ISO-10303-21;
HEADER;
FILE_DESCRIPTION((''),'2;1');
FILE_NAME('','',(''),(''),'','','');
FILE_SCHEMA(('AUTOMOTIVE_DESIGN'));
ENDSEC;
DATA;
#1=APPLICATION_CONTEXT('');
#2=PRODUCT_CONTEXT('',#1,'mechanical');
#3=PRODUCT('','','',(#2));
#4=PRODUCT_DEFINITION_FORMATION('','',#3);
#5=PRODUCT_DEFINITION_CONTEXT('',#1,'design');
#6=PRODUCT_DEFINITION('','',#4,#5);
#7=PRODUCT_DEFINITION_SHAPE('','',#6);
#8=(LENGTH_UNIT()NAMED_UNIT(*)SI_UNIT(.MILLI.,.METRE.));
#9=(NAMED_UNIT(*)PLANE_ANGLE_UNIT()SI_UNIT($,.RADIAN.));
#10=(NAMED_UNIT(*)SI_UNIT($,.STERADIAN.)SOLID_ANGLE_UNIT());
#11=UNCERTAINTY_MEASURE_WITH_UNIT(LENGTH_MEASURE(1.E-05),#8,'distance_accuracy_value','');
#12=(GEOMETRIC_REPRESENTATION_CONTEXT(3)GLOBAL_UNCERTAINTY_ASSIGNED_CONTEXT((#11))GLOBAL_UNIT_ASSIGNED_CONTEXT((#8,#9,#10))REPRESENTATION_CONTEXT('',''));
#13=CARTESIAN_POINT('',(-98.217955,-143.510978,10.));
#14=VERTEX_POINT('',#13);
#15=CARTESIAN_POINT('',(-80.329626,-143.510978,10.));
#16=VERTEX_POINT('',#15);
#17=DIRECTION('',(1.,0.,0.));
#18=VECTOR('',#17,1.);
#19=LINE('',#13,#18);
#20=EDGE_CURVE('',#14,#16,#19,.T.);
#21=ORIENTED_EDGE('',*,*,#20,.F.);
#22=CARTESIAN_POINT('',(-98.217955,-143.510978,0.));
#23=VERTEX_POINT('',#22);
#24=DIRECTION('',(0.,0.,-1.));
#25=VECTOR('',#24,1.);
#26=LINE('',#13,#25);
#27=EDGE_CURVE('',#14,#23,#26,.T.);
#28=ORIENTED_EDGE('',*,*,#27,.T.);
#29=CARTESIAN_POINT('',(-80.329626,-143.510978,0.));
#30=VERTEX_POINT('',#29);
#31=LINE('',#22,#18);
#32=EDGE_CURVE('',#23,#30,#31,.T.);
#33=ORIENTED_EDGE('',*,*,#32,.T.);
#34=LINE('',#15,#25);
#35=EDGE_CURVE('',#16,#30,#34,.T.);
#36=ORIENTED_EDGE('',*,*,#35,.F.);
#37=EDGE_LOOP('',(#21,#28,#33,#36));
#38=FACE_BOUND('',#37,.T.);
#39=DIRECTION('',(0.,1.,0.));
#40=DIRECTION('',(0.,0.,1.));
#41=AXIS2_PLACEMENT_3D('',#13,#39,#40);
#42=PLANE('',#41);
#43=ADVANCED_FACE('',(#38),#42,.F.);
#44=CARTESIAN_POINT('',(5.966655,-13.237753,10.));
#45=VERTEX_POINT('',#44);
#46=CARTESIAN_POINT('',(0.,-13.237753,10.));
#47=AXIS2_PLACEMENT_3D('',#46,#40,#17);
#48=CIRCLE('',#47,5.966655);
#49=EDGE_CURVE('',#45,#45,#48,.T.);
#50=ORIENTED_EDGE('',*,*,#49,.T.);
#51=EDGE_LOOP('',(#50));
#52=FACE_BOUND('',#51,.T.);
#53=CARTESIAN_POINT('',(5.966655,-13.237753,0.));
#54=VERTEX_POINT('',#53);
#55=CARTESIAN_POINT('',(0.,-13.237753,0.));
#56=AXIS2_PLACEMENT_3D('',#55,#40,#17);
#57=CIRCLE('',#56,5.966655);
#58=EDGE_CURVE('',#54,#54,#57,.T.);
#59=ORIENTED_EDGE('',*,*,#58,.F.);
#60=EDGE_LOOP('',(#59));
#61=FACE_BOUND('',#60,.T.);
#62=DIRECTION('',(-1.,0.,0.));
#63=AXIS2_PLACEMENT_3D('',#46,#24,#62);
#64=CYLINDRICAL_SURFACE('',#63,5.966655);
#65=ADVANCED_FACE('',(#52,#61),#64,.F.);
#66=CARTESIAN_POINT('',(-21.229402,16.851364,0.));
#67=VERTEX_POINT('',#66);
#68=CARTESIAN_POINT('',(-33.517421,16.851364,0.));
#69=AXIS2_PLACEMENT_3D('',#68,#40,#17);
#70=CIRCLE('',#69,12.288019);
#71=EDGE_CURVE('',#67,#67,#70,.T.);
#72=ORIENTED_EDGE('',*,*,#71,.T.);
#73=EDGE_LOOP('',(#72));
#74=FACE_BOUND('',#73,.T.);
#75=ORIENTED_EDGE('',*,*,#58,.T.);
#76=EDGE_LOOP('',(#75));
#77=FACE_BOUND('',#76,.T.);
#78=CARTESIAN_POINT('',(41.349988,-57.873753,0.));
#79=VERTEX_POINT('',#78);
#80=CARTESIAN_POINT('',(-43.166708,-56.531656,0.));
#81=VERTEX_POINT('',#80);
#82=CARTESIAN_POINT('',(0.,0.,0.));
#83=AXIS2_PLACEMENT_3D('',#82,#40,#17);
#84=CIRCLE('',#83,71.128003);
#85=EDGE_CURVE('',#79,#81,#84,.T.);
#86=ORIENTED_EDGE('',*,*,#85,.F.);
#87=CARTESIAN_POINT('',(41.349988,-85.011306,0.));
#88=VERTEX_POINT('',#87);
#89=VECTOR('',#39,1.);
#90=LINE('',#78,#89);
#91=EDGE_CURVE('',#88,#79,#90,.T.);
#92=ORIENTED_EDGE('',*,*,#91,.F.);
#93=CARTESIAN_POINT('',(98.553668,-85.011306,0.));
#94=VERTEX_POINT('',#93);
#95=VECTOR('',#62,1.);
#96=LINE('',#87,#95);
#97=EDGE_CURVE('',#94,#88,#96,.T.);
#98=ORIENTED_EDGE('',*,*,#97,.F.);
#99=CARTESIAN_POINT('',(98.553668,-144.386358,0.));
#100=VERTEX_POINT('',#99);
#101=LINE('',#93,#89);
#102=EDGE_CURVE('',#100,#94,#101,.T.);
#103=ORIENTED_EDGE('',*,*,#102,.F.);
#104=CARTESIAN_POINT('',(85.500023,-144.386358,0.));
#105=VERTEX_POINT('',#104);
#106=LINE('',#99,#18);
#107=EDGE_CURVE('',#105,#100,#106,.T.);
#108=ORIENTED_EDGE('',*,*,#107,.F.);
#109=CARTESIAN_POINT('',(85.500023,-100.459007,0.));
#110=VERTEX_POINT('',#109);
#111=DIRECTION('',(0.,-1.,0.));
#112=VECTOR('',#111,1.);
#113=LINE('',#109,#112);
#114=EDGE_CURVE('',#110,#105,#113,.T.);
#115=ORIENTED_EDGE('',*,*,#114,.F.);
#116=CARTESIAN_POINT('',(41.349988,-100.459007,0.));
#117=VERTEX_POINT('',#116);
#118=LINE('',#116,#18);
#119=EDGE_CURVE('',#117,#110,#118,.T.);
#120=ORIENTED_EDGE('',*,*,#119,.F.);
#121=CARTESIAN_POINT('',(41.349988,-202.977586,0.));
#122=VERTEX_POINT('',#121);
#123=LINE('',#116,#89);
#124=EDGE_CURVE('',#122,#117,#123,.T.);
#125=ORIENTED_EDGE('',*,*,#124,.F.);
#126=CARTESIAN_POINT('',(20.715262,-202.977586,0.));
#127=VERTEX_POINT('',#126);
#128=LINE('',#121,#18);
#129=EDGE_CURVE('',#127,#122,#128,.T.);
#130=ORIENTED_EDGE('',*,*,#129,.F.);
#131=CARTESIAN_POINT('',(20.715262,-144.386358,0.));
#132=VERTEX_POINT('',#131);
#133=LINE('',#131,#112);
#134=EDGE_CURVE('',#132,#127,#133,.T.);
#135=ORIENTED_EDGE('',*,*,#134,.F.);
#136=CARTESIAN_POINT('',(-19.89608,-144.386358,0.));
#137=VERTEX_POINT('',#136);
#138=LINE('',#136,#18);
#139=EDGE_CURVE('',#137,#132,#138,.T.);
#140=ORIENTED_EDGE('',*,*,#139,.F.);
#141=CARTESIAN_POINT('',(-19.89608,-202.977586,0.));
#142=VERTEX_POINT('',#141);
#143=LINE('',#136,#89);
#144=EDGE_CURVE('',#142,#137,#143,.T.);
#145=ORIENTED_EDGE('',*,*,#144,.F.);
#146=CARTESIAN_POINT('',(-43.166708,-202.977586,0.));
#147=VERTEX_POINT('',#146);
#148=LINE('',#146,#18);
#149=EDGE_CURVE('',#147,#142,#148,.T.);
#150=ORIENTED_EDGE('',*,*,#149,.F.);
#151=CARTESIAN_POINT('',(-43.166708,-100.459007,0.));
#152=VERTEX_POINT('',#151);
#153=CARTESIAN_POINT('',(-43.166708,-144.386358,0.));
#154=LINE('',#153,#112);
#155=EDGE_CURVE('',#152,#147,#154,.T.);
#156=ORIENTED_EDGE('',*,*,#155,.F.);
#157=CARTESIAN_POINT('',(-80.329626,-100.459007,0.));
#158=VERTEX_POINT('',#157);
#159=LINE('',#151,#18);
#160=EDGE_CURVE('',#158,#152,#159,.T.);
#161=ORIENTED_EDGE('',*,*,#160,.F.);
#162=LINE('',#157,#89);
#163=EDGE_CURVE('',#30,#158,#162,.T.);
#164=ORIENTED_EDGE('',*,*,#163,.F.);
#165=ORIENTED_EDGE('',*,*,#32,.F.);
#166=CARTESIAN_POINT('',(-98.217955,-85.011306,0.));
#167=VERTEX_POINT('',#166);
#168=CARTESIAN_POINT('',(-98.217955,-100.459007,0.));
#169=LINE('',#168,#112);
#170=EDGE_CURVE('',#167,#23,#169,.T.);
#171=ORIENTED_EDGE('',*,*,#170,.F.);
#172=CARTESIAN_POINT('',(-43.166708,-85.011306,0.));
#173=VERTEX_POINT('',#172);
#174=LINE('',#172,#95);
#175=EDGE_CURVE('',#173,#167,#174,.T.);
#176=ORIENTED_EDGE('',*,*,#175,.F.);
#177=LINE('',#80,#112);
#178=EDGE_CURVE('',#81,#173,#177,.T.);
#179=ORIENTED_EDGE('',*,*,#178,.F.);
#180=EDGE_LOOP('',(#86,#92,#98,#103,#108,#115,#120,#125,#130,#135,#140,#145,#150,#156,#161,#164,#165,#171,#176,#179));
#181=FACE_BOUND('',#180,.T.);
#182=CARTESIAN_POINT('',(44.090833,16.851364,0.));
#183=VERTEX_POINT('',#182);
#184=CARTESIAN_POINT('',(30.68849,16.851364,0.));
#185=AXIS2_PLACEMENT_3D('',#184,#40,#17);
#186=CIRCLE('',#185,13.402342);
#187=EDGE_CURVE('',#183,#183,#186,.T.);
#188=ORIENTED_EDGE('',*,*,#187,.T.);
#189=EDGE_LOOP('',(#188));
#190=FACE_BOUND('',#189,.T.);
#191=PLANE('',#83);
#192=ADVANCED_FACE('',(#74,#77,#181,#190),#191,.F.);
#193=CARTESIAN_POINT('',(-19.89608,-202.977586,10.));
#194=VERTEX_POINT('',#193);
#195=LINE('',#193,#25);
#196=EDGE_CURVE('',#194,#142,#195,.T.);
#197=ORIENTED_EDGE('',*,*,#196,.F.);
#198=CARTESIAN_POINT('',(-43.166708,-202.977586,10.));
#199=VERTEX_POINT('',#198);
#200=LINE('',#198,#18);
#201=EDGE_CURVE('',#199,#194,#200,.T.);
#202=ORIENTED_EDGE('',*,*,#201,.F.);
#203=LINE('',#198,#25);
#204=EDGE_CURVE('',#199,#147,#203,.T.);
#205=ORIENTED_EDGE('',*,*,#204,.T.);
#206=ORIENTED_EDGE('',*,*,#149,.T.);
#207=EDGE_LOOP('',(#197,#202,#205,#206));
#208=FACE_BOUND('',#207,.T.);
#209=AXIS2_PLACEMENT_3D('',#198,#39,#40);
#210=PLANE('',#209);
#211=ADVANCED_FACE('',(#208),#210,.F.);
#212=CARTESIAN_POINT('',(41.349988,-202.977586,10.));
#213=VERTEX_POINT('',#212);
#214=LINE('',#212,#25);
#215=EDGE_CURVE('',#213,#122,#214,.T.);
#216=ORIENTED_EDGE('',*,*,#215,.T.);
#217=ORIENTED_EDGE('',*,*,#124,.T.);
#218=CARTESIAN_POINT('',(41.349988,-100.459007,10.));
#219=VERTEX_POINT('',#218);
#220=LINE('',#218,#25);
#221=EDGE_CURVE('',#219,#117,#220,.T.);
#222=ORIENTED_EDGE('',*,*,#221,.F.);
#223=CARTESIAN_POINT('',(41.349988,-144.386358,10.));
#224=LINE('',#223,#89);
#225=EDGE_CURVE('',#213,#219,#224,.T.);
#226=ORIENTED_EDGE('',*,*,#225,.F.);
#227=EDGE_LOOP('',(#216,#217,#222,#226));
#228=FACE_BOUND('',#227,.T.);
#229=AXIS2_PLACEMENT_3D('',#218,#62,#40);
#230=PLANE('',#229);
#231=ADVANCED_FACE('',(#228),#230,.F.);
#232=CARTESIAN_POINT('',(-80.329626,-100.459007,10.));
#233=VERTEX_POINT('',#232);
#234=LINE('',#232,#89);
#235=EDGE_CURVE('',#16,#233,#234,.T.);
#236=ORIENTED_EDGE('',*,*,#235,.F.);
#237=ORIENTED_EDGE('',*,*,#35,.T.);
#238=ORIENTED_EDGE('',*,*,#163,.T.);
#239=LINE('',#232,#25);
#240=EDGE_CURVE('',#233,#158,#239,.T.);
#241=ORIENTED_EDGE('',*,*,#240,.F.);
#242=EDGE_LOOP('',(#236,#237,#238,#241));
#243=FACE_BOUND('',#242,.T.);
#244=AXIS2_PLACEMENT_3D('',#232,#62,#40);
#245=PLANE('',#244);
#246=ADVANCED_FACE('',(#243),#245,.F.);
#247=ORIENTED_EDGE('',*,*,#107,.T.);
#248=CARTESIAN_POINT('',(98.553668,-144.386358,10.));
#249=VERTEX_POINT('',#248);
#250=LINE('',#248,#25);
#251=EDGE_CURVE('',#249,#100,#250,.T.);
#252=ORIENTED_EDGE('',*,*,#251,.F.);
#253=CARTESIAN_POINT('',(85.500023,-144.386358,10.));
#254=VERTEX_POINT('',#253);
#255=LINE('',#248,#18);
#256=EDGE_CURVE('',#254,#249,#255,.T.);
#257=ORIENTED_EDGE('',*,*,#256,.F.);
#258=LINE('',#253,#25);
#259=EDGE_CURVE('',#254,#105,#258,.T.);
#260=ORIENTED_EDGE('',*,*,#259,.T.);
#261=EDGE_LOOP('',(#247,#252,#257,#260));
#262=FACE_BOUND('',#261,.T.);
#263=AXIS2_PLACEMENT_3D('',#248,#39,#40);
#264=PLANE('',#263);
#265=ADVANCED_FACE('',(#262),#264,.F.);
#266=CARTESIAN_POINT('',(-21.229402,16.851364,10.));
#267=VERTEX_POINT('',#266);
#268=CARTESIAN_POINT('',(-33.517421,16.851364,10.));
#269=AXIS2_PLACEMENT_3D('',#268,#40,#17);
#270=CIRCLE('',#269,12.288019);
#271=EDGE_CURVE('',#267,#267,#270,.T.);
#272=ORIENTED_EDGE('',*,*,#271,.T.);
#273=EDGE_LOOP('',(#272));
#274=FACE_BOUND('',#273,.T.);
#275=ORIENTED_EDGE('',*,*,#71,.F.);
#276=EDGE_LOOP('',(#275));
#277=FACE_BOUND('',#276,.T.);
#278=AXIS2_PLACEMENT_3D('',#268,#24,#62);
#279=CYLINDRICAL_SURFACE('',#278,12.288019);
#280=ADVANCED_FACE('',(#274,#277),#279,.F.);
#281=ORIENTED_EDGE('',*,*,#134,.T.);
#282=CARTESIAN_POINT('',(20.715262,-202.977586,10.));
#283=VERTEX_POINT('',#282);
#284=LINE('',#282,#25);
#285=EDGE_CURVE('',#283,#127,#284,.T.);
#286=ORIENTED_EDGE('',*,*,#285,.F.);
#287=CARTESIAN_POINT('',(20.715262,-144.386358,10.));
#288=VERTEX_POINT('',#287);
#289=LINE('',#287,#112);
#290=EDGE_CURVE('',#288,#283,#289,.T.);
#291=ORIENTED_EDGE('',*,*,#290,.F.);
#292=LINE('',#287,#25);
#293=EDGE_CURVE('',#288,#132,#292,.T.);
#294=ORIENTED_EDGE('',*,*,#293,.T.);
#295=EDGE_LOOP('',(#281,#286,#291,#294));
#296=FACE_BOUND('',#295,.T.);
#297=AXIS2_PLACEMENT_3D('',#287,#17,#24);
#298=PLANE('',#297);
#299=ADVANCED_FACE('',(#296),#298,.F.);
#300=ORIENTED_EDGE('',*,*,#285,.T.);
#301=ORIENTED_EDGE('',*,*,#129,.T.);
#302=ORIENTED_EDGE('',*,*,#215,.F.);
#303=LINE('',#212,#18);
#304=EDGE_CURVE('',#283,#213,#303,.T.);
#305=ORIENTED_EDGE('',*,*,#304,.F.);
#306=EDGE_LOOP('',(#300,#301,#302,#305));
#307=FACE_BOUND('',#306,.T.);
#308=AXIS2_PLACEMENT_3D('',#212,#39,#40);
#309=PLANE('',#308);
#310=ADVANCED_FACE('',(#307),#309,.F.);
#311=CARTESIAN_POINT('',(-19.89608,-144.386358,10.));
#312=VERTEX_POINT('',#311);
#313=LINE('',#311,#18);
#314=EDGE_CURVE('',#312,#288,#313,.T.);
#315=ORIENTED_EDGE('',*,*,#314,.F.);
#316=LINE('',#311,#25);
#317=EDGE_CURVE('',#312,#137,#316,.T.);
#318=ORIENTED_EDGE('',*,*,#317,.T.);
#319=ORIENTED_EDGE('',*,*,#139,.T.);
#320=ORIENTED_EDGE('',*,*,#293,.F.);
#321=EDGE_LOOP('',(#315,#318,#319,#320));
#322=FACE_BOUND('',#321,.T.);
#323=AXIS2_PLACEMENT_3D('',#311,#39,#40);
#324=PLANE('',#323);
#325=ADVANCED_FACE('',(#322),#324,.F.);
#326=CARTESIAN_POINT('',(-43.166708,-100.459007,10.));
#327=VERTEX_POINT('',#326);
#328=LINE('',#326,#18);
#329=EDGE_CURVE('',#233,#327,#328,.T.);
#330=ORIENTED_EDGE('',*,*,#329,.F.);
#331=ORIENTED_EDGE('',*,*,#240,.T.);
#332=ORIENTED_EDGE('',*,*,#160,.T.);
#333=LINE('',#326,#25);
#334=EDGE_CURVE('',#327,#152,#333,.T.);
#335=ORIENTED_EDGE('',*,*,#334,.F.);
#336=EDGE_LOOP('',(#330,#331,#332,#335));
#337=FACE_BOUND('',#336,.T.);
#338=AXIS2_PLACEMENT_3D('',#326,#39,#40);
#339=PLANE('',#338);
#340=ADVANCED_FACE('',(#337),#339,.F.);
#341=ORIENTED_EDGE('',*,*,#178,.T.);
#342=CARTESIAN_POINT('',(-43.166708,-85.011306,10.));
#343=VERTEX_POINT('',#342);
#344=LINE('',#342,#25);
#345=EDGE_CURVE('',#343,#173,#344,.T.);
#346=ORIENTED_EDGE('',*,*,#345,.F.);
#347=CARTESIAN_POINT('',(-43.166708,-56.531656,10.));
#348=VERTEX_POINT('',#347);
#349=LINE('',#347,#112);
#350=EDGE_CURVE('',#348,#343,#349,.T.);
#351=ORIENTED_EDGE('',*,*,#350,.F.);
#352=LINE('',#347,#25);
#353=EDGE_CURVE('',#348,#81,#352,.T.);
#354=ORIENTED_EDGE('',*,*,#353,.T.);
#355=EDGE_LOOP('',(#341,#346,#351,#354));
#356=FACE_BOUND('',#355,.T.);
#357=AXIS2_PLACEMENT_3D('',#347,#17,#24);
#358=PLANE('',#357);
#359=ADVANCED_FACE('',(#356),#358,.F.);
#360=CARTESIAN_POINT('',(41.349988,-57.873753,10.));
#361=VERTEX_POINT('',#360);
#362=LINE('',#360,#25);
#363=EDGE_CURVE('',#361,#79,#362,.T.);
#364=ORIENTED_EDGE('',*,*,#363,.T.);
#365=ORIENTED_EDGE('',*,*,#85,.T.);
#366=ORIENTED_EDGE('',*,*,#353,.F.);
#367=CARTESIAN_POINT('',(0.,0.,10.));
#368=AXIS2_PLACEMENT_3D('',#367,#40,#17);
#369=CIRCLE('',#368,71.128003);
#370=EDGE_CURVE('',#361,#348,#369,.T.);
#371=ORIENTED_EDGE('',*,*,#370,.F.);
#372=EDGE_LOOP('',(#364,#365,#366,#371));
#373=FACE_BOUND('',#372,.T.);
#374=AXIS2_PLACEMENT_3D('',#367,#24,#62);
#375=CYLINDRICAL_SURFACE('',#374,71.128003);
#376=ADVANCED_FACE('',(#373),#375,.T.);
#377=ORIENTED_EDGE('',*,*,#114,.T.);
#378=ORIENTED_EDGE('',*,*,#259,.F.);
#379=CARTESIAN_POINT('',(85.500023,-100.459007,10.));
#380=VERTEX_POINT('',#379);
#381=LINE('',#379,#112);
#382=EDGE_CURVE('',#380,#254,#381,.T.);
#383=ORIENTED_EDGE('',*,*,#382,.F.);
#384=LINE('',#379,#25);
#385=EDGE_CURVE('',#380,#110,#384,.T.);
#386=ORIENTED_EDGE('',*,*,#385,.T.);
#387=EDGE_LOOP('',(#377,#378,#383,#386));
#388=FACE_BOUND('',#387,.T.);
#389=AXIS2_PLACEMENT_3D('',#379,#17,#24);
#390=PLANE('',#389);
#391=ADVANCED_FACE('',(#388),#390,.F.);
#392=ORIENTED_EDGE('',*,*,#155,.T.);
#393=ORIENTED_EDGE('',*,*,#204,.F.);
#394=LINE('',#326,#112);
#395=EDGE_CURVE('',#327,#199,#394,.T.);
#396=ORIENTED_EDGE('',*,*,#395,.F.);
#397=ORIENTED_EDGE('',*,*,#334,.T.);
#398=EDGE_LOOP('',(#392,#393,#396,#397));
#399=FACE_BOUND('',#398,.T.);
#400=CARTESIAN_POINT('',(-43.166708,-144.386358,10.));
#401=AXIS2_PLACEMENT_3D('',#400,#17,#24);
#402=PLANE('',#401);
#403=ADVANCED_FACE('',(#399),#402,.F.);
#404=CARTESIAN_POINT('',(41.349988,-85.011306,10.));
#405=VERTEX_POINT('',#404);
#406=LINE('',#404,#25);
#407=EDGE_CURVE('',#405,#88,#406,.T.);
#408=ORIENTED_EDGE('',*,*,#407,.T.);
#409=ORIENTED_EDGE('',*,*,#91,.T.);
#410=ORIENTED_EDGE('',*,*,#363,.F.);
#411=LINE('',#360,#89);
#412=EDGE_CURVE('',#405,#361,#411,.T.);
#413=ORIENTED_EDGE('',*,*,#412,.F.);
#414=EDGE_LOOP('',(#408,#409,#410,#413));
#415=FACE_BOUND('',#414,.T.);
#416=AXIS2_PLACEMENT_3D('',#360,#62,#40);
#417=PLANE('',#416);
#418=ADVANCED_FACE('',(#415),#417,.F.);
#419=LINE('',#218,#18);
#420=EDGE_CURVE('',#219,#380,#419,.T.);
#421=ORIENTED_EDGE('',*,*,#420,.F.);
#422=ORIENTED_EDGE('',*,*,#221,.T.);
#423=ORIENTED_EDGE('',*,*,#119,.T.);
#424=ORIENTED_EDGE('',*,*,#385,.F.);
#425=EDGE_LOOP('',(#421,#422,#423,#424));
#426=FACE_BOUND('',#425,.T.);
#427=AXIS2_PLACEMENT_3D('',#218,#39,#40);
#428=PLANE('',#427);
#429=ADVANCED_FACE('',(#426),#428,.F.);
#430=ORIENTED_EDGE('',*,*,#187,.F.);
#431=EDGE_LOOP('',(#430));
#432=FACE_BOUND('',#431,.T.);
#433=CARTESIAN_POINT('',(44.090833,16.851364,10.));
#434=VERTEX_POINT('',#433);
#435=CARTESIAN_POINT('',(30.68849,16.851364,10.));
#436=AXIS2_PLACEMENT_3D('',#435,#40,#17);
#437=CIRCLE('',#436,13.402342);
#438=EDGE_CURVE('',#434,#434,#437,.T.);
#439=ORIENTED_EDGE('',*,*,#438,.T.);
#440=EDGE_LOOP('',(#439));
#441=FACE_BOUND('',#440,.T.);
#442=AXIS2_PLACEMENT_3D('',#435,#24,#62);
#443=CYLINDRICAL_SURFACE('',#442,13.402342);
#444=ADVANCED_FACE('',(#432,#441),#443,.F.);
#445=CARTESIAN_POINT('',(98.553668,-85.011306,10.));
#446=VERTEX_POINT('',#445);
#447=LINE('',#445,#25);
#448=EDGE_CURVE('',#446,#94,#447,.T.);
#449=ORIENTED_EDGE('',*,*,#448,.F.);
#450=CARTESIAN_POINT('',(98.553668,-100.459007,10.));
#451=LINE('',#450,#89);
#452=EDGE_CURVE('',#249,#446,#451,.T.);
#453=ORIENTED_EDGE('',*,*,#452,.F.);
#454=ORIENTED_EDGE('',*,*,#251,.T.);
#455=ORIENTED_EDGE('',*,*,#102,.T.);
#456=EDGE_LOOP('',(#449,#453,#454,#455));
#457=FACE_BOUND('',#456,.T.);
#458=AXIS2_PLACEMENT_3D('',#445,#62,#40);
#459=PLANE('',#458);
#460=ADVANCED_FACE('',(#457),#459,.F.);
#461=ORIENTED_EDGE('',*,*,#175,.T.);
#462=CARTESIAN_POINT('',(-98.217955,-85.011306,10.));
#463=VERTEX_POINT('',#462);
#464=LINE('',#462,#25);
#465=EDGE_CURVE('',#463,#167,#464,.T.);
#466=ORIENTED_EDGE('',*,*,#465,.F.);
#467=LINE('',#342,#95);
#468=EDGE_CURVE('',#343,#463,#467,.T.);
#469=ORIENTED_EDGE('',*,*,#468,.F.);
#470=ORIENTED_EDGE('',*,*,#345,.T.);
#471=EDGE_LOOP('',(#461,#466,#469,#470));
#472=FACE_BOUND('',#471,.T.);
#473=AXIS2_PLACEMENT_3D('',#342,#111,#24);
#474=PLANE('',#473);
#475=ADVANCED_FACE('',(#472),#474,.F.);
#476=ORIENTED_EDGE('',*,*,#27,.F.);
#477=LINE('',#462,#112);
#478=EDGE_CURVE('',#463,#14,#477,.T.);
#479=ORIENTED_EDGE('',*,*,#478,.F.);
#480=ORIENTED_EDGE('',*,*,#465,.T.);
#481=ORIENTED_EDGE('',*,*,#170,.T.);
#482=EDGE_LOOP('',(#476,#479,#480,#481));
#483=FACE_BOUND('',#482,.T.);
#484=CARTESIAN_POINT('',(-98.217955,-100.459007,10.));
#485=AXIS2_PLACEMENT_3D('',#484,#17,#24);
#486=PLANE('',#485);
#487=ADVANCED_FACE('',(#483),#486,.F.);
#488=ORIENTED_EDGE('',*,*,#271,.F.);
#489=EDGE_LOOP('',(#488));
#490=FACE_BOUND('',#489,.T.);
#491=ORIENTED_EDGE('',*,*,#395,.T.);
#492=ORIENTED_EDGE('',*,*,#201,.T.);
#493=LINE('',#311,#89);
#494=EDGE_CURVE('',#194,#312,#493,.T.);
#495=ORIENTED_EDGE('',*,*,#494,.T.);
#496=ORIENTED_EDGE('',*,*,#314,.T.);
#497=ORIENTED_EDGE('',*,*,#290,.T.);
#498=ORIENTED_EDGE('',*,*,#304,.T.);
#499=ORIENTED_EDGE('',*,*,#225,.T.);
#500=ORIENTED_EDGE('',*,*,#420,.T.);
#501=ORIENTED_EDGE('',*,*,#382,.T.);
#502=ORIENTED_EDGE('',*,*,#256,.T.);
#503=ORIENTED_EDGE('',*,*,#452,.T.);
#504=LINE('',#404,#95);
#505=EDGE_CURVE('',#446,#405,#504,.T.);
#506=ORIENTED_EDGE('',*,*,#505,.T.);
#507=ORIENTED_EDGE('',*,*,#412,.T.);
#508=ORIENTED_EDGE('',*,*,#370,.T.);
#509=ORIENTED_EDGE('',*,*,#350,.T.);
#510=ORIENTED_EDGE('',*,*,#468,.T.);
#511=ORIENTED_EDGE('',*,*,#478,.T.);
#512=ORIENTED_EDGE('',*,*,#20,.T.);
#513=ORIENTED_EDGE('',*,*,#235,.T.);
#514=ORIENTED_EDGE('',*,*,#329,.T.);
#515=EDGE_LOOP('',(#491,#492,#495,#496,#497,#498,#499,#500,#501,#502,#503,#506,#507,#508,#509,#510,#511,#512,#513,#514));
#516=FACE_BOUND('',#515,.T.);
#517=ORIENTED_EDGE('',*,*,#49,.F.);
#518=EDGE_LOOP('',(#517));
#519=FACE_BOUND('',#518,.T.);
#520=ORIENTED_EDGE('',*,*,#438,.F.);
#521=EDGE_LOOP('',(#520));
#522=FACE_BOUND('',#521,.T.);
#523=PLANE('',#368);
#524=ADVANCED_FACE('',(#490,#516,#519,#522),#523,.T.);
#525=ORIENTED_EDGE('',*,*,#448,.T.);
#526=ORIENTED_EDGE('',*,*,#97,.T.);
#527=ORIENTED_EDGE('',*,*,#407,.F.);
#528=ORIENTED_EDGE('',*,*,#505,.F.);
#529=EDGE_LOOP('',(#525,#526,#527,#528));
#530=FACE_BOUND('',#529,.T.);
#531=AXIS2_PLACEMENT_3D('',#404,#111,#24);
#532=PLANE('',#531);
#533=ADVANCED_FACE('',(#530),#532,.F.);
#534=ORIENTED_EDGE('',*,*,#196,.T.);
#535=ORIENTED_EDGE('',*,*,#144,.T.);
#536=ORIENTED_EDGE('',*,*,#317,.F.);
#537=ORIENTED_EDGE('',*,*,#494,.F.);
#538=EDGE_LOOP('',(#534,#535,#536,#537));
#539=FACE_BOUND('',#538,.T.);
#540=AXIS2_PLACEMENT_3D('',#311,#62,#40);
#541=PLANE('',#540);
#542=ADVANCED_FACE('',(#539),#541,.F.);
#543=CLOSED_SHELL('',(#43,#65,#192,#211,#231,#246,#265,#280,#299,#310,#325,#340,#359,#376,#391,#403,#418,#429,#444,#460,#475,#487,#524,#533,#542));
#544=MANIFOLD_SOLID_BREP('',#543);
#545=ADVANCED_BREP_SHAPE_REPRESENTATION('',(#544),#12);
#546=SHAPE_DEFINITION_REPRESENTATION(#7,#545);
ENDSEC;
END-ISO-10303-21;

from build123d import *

# Parameters (mm, degrees)
SKETCH1_R           = 12.288018633
SKETCH1_R_2         = 13.402342443
SKETCH1_R_3         = 5.966655134
BOSS_EXTRUDE1_DEPTH = 10


with BuildPart() as part:
    # Sketch1 → Boss-Extrude1 (new body)
    with BuildSketch(Plane.XY):
        with BuildLine():
            Line((-43.16670826, -100.459006624), (-43.16670826, -144.386357681))
            Line((-43.16670826, -144.386357681), (-43.16670826, -202.977586365))
            Line((-43.16670826, -202.977586365), (-19.89608029, -202.977586365))
            Line((-19.89608029, -202.977586365), (-19.89608029, -144.386357681))
            Line((-19.89608029, -144.386357681), (20.715262102, -144.386357681))
            Line((20.715262102, -144.386357681), (20.715262102, -202.977586365))
            Line((20.715262102, -202.977586365), (41.349988273, -202.977586365))
            Line((41.349988273, -202.977586365), (41.349988273, -144.386357681))
            Line((41.349988273, -144.386357681), (41.349988273, -100.459006624))
            Line((41.349988273, -100.459006624), (85.500022586, -100.459006624))
            Line((85.500022586, -100.459006624), (85.500022586, -144.386357681))
            Line((85.500022586, -144.386357681), (98.553668355, -144.386357681))
            Line((98.553668355, -144.386357681), (98.553668355, -100.459006624))
            Line((98.553668355, -100.459006624), (98.553668355, -85.011306082))
            Line((98.553668355, -85.011306082), (41.349988273, -85.011306082))
            Line((41.349988273, -85.011306082), (41.349988273, -57.873752711))
            ThreePointArc((41.349988273, -57.873752711), (1.129346742, 71.119036544), (-43.16670826, -56.531655566))
            Line((-43.16670826, -56.531655566), (-43.16670826, -85.011306082))
            Line((-43.16670826, -85.011306082), (-98.217954904, -85.011306082))
            Line((-98.217954904, -85.011306082), (-98.217954904, -100.459006624))
            Line((-98.217954904, -100.459006624), (-98.217954904, -143.510977861))
            Line((-98.217954904, -143.510977861), (-80.329625517, -143.510977861))
            Line((-80.329625517, -143.510977861), (-80.329625517, -100.459006624))
            Line((-80.329625517, -100.459006624), (-43.16670826, -100.459006624))
        make_face()
        with Locations((-33.517420804, 16.851364033)):
            Circle(SKETCH1_R, mode=Mode.SUBTRACT)
        with Locations((30.688490145, 16.851364033)):
            Circle(SKETCH1_R_2, mode=Mode.SUBTRACT)
        with Locations((0, -13.237752907)):
            Circle(SKETCH1_R_3, mode=Mode.SUBTRACT)
    extrude(amount=BOSS_EXTRUDE1_DEPTH)


solid = part.part
